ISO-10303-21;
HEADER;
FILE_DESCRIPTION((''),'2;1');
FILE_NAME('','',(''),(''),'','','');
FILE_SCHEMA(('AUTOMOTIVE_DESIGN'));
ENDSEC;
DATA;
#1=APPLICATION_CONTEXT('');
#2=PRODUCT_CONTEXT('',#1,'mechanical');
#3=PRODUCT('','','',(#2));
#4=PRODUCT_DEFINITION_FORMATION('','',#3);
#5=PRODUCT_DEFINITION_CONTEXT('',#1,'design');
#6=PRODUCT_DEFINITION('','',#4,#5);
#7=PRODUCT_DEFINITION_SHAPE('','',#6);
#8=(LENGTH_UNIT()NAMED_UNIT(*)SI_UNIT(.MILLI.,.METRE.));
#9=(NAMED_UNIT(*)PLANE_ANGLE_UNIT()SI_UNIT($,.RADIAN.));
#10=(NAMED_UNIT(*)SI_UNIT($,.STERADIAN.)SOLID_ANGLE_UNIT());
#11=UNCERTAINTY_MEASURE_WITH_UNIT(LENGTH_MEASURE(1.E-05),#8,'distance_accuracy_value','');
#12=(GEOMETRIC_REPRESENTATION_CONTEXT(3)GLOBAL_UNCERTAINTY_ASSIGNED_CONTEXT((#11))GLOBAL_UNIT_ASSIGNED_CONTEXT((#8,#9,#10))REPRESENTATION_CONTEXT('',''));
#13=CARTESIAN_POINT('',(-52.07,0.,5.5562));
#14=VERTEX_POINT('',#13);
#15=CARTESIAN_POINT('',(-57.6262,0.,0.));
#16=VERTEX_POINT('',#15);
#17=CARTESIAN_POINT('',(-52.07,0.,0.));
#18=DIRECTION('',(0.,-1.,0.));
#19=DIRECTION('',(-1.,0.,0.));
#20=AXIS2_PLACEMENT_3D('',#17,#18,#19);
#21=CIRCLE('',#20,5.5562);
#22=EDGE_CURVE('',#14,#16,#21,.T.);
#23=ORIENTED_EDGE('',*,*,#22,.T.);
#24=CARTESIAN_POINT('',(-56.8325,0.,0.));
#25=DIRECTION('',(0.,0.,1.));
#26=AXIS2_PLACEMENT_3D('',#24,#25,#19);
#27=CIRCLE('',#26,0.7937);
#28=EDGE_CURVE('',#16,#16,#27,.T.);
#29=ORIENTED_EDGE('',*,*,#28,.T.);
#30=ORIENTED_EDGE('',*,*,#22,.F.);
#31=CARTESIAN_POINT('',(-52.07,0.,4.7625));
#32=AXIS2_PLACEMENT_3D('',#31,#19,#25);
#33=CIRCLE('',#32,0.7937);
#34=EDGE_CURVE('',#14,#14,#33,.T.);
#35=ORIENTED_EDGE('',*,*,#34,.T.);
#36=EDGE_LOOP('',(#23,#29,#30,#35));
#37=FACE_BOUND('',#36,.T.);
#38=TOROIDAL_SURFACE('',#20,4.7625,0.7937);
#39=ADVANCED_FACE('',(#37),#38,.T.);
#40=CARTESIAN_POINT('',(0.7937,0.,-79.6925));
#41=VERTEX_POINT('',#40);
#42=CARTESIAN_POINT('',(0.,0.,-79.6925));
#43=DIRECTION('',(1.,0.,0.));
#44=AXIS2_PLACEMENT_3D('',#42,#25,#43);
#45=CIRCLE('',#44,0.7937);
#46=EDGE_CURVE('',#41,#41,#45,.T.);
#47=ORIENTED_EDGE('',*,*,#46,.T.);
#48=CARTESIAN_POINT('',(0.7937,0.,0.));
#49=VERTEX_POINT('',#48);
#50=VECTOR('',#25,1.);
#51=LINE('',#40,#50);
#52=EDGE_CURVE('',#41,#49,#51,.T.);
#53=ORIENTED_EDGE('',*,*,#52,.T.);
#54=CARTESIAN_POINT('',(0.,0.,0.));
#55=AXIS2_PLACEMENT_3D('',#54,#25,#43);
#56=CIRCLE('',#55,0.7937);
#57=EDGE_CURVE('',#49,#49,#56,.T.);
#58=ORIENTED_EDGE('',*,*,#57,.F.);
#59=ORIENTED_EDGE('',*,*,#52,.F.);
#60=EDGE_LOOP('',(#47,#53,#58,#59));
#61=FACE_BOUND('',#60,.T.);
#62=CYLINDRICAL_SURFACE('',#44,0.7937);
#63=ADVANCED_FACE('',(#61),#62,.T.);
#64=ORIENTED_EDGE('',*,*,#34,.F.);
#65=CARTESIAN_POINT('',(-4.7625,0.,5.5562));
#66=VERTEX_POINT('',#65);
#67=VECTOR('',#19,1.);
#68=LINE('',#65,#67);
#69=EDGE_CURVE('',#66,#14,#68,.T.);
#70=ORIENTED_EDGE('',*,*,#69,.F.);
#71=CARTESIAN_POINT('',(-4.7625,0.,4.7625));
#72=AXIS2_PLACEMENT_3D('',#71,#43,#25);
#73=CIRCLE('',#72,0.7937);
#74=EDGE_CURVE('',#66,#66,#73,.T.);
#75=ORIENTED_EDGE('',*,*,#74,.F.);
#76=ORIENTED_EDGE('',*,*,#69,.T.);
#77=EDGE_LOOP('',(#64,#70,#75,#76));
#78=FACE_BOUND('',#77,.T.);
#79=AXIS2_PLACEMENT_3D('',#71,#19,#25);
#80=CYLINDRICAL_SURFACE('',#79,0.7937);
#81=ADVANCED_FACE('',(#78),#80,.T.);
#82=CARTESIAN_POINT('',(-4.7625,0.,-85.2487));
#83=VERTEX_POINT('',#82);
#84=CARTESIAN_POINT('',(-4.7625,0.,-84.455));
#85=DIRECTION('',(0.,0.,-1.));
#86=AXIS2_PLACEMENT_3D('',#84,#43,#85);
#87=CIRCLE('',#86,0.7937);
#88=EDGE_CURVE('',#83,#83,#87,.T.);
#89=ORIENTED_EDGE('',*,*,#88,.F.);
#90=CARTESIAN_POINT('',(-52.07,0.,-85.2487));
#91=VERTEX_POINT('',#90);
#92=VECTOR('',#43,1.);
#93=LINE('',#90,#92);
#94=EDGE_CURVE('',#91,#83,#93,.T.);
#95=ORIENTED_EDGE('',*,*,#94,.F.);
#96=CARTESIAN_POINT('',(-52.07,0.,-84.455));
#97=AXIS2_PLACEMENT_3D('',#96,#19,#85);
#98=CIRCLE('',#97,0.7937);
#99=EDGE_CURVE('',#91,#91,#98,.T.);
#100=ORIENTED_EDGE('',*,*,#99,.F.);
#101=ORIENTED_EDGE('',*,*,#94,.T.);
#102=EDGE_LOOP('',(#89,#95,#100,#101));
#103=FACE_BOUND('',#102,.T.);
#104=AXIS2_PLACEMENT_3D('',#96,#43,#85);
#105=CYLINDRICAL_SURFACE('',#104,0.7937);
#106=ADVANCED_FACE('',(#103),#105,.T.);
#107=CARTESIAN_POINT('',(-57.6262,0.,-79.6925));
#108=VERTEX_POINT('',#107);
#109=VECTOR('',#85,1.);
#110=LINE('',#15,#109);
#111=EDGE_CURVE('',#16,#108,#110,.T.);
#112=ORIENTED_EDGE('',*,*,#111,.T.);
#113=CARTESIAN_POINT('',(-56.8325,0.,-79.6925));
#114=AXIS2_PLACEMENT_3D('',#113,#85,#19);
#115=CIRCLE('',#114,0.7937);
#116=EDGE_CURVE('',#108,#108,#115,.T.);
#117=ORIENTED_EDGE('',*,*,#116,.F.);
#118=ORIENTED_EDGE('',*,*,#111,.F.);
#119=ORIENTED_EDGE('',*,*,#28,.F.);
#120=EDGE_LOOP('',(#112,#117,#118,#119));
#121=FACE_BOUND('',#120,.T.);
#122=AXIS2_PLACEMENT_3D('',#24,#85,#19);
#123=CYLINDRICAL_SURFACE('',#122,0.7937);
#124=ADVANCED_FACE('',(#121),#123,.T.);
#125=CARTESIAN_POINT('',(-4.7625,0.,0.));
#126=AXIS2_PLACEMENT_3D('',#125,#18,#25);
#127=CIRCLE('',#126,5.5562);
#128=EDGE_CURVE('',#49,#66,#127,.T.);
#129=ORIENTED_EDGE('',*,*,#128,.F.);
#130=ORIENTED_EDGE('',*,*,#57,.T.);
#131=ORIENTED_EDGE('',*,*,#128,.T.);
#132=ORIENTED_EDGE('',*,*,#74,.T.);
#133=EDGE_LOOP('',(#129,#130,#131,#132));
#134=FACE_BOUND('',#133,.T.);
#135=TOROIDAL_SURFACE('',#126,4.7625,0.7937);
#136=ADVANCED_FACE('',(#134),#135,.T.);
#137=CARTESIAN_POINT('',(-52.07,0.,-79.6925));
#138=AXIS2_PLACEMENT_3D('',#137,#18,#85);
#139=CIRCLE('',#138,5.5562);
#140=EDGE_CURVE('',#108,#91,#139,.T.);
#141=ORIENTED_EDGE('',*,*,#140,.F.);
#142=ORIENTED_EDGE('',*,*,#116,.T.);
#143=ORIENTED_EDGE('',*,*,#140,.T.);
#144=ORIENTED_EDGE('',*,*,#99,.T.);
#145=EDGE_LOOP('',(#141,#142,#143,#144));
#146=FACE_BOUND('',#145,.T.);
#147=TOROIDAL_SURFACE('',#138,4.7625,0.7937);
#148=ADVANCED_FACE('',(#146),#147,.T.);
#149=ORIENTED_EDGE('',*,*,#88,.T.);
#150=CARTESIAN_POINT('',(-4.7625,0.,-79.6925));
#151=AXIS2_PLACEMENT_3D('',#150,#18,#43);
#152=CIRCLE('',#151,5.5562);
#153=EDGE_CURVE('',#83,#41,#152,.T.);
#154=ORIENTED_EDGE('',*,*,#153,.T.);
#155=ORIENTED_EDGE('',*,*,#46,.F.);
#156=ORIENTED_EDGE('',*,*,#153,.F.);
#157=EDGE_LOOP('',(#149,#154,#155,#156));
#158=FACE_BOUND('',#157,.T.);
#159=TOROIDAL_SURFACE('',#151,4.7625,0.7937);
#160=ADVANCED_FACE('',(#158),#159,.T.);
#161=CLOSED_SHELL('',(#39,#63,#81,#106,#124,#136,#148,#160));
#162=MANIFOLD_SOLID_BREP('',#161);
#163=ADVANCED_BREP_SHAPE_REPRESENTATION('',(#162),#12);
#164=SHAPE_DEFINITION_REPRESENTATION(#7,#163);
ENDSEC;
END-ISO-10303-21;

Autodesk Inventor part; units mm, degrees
ref_plane "YZ Plane" through (0, 0, 0) normal (1, 0, 0) x (0, 1, 0)
ref_plane "XZ Plane" through (0, 0, 0) normal (0, 1, 0) x (-1, 0, 0)
ref_plane "XY Plane" through (0, 0, 0) normal (0, 0, 1) x (1, 0, 0)
sketch "Sketch2" plane through (0, 0, 0) normal (0, 0, 1) x (1, 0, 0)
  circle A0 centre (0, 0) radius 0.7937
  dimension "d0" = 1.5875
sketch "Sketch3" plane through (0, 0, 0) normal (0, 1, 0) x (-1, 0, 0)
  line L0 (4.7625, 4.7625) -> (52.07, 4.7625)
  line L1 (56.8325, 0) -> (56.8325, -79.6925)
  line L2 (52.07, -84.455) -> (4.7625, -84.455)
  line L3 (0, -79.6925) -> (0, 0)
  arc A0 (56.8325, 0) -> (52.07, 4.7625) centre (52.07, 0) ccw
  arc A1 (52.07, -84.455) -> (56.8325, -79.6925) centre (52.07, -79.6925) ccw
  arc A2 (0, -79.6925) -> (4.7625, -84.455) centre (4.7625, -79.6925) ccw
  arc A3 (4.7625, 4.7625) -> (0, 0) centre (4.7625, 0) ccw
  dimension "d1" = 4.7625
  dimension "d2" = 89.2175
  dimension "d3" = 56.8325
sweep "Sweep1" add profiles "Sketch2" path "Sketch3"
properties part number "BatteryCaseORing" material "Rubber, Silicone"
